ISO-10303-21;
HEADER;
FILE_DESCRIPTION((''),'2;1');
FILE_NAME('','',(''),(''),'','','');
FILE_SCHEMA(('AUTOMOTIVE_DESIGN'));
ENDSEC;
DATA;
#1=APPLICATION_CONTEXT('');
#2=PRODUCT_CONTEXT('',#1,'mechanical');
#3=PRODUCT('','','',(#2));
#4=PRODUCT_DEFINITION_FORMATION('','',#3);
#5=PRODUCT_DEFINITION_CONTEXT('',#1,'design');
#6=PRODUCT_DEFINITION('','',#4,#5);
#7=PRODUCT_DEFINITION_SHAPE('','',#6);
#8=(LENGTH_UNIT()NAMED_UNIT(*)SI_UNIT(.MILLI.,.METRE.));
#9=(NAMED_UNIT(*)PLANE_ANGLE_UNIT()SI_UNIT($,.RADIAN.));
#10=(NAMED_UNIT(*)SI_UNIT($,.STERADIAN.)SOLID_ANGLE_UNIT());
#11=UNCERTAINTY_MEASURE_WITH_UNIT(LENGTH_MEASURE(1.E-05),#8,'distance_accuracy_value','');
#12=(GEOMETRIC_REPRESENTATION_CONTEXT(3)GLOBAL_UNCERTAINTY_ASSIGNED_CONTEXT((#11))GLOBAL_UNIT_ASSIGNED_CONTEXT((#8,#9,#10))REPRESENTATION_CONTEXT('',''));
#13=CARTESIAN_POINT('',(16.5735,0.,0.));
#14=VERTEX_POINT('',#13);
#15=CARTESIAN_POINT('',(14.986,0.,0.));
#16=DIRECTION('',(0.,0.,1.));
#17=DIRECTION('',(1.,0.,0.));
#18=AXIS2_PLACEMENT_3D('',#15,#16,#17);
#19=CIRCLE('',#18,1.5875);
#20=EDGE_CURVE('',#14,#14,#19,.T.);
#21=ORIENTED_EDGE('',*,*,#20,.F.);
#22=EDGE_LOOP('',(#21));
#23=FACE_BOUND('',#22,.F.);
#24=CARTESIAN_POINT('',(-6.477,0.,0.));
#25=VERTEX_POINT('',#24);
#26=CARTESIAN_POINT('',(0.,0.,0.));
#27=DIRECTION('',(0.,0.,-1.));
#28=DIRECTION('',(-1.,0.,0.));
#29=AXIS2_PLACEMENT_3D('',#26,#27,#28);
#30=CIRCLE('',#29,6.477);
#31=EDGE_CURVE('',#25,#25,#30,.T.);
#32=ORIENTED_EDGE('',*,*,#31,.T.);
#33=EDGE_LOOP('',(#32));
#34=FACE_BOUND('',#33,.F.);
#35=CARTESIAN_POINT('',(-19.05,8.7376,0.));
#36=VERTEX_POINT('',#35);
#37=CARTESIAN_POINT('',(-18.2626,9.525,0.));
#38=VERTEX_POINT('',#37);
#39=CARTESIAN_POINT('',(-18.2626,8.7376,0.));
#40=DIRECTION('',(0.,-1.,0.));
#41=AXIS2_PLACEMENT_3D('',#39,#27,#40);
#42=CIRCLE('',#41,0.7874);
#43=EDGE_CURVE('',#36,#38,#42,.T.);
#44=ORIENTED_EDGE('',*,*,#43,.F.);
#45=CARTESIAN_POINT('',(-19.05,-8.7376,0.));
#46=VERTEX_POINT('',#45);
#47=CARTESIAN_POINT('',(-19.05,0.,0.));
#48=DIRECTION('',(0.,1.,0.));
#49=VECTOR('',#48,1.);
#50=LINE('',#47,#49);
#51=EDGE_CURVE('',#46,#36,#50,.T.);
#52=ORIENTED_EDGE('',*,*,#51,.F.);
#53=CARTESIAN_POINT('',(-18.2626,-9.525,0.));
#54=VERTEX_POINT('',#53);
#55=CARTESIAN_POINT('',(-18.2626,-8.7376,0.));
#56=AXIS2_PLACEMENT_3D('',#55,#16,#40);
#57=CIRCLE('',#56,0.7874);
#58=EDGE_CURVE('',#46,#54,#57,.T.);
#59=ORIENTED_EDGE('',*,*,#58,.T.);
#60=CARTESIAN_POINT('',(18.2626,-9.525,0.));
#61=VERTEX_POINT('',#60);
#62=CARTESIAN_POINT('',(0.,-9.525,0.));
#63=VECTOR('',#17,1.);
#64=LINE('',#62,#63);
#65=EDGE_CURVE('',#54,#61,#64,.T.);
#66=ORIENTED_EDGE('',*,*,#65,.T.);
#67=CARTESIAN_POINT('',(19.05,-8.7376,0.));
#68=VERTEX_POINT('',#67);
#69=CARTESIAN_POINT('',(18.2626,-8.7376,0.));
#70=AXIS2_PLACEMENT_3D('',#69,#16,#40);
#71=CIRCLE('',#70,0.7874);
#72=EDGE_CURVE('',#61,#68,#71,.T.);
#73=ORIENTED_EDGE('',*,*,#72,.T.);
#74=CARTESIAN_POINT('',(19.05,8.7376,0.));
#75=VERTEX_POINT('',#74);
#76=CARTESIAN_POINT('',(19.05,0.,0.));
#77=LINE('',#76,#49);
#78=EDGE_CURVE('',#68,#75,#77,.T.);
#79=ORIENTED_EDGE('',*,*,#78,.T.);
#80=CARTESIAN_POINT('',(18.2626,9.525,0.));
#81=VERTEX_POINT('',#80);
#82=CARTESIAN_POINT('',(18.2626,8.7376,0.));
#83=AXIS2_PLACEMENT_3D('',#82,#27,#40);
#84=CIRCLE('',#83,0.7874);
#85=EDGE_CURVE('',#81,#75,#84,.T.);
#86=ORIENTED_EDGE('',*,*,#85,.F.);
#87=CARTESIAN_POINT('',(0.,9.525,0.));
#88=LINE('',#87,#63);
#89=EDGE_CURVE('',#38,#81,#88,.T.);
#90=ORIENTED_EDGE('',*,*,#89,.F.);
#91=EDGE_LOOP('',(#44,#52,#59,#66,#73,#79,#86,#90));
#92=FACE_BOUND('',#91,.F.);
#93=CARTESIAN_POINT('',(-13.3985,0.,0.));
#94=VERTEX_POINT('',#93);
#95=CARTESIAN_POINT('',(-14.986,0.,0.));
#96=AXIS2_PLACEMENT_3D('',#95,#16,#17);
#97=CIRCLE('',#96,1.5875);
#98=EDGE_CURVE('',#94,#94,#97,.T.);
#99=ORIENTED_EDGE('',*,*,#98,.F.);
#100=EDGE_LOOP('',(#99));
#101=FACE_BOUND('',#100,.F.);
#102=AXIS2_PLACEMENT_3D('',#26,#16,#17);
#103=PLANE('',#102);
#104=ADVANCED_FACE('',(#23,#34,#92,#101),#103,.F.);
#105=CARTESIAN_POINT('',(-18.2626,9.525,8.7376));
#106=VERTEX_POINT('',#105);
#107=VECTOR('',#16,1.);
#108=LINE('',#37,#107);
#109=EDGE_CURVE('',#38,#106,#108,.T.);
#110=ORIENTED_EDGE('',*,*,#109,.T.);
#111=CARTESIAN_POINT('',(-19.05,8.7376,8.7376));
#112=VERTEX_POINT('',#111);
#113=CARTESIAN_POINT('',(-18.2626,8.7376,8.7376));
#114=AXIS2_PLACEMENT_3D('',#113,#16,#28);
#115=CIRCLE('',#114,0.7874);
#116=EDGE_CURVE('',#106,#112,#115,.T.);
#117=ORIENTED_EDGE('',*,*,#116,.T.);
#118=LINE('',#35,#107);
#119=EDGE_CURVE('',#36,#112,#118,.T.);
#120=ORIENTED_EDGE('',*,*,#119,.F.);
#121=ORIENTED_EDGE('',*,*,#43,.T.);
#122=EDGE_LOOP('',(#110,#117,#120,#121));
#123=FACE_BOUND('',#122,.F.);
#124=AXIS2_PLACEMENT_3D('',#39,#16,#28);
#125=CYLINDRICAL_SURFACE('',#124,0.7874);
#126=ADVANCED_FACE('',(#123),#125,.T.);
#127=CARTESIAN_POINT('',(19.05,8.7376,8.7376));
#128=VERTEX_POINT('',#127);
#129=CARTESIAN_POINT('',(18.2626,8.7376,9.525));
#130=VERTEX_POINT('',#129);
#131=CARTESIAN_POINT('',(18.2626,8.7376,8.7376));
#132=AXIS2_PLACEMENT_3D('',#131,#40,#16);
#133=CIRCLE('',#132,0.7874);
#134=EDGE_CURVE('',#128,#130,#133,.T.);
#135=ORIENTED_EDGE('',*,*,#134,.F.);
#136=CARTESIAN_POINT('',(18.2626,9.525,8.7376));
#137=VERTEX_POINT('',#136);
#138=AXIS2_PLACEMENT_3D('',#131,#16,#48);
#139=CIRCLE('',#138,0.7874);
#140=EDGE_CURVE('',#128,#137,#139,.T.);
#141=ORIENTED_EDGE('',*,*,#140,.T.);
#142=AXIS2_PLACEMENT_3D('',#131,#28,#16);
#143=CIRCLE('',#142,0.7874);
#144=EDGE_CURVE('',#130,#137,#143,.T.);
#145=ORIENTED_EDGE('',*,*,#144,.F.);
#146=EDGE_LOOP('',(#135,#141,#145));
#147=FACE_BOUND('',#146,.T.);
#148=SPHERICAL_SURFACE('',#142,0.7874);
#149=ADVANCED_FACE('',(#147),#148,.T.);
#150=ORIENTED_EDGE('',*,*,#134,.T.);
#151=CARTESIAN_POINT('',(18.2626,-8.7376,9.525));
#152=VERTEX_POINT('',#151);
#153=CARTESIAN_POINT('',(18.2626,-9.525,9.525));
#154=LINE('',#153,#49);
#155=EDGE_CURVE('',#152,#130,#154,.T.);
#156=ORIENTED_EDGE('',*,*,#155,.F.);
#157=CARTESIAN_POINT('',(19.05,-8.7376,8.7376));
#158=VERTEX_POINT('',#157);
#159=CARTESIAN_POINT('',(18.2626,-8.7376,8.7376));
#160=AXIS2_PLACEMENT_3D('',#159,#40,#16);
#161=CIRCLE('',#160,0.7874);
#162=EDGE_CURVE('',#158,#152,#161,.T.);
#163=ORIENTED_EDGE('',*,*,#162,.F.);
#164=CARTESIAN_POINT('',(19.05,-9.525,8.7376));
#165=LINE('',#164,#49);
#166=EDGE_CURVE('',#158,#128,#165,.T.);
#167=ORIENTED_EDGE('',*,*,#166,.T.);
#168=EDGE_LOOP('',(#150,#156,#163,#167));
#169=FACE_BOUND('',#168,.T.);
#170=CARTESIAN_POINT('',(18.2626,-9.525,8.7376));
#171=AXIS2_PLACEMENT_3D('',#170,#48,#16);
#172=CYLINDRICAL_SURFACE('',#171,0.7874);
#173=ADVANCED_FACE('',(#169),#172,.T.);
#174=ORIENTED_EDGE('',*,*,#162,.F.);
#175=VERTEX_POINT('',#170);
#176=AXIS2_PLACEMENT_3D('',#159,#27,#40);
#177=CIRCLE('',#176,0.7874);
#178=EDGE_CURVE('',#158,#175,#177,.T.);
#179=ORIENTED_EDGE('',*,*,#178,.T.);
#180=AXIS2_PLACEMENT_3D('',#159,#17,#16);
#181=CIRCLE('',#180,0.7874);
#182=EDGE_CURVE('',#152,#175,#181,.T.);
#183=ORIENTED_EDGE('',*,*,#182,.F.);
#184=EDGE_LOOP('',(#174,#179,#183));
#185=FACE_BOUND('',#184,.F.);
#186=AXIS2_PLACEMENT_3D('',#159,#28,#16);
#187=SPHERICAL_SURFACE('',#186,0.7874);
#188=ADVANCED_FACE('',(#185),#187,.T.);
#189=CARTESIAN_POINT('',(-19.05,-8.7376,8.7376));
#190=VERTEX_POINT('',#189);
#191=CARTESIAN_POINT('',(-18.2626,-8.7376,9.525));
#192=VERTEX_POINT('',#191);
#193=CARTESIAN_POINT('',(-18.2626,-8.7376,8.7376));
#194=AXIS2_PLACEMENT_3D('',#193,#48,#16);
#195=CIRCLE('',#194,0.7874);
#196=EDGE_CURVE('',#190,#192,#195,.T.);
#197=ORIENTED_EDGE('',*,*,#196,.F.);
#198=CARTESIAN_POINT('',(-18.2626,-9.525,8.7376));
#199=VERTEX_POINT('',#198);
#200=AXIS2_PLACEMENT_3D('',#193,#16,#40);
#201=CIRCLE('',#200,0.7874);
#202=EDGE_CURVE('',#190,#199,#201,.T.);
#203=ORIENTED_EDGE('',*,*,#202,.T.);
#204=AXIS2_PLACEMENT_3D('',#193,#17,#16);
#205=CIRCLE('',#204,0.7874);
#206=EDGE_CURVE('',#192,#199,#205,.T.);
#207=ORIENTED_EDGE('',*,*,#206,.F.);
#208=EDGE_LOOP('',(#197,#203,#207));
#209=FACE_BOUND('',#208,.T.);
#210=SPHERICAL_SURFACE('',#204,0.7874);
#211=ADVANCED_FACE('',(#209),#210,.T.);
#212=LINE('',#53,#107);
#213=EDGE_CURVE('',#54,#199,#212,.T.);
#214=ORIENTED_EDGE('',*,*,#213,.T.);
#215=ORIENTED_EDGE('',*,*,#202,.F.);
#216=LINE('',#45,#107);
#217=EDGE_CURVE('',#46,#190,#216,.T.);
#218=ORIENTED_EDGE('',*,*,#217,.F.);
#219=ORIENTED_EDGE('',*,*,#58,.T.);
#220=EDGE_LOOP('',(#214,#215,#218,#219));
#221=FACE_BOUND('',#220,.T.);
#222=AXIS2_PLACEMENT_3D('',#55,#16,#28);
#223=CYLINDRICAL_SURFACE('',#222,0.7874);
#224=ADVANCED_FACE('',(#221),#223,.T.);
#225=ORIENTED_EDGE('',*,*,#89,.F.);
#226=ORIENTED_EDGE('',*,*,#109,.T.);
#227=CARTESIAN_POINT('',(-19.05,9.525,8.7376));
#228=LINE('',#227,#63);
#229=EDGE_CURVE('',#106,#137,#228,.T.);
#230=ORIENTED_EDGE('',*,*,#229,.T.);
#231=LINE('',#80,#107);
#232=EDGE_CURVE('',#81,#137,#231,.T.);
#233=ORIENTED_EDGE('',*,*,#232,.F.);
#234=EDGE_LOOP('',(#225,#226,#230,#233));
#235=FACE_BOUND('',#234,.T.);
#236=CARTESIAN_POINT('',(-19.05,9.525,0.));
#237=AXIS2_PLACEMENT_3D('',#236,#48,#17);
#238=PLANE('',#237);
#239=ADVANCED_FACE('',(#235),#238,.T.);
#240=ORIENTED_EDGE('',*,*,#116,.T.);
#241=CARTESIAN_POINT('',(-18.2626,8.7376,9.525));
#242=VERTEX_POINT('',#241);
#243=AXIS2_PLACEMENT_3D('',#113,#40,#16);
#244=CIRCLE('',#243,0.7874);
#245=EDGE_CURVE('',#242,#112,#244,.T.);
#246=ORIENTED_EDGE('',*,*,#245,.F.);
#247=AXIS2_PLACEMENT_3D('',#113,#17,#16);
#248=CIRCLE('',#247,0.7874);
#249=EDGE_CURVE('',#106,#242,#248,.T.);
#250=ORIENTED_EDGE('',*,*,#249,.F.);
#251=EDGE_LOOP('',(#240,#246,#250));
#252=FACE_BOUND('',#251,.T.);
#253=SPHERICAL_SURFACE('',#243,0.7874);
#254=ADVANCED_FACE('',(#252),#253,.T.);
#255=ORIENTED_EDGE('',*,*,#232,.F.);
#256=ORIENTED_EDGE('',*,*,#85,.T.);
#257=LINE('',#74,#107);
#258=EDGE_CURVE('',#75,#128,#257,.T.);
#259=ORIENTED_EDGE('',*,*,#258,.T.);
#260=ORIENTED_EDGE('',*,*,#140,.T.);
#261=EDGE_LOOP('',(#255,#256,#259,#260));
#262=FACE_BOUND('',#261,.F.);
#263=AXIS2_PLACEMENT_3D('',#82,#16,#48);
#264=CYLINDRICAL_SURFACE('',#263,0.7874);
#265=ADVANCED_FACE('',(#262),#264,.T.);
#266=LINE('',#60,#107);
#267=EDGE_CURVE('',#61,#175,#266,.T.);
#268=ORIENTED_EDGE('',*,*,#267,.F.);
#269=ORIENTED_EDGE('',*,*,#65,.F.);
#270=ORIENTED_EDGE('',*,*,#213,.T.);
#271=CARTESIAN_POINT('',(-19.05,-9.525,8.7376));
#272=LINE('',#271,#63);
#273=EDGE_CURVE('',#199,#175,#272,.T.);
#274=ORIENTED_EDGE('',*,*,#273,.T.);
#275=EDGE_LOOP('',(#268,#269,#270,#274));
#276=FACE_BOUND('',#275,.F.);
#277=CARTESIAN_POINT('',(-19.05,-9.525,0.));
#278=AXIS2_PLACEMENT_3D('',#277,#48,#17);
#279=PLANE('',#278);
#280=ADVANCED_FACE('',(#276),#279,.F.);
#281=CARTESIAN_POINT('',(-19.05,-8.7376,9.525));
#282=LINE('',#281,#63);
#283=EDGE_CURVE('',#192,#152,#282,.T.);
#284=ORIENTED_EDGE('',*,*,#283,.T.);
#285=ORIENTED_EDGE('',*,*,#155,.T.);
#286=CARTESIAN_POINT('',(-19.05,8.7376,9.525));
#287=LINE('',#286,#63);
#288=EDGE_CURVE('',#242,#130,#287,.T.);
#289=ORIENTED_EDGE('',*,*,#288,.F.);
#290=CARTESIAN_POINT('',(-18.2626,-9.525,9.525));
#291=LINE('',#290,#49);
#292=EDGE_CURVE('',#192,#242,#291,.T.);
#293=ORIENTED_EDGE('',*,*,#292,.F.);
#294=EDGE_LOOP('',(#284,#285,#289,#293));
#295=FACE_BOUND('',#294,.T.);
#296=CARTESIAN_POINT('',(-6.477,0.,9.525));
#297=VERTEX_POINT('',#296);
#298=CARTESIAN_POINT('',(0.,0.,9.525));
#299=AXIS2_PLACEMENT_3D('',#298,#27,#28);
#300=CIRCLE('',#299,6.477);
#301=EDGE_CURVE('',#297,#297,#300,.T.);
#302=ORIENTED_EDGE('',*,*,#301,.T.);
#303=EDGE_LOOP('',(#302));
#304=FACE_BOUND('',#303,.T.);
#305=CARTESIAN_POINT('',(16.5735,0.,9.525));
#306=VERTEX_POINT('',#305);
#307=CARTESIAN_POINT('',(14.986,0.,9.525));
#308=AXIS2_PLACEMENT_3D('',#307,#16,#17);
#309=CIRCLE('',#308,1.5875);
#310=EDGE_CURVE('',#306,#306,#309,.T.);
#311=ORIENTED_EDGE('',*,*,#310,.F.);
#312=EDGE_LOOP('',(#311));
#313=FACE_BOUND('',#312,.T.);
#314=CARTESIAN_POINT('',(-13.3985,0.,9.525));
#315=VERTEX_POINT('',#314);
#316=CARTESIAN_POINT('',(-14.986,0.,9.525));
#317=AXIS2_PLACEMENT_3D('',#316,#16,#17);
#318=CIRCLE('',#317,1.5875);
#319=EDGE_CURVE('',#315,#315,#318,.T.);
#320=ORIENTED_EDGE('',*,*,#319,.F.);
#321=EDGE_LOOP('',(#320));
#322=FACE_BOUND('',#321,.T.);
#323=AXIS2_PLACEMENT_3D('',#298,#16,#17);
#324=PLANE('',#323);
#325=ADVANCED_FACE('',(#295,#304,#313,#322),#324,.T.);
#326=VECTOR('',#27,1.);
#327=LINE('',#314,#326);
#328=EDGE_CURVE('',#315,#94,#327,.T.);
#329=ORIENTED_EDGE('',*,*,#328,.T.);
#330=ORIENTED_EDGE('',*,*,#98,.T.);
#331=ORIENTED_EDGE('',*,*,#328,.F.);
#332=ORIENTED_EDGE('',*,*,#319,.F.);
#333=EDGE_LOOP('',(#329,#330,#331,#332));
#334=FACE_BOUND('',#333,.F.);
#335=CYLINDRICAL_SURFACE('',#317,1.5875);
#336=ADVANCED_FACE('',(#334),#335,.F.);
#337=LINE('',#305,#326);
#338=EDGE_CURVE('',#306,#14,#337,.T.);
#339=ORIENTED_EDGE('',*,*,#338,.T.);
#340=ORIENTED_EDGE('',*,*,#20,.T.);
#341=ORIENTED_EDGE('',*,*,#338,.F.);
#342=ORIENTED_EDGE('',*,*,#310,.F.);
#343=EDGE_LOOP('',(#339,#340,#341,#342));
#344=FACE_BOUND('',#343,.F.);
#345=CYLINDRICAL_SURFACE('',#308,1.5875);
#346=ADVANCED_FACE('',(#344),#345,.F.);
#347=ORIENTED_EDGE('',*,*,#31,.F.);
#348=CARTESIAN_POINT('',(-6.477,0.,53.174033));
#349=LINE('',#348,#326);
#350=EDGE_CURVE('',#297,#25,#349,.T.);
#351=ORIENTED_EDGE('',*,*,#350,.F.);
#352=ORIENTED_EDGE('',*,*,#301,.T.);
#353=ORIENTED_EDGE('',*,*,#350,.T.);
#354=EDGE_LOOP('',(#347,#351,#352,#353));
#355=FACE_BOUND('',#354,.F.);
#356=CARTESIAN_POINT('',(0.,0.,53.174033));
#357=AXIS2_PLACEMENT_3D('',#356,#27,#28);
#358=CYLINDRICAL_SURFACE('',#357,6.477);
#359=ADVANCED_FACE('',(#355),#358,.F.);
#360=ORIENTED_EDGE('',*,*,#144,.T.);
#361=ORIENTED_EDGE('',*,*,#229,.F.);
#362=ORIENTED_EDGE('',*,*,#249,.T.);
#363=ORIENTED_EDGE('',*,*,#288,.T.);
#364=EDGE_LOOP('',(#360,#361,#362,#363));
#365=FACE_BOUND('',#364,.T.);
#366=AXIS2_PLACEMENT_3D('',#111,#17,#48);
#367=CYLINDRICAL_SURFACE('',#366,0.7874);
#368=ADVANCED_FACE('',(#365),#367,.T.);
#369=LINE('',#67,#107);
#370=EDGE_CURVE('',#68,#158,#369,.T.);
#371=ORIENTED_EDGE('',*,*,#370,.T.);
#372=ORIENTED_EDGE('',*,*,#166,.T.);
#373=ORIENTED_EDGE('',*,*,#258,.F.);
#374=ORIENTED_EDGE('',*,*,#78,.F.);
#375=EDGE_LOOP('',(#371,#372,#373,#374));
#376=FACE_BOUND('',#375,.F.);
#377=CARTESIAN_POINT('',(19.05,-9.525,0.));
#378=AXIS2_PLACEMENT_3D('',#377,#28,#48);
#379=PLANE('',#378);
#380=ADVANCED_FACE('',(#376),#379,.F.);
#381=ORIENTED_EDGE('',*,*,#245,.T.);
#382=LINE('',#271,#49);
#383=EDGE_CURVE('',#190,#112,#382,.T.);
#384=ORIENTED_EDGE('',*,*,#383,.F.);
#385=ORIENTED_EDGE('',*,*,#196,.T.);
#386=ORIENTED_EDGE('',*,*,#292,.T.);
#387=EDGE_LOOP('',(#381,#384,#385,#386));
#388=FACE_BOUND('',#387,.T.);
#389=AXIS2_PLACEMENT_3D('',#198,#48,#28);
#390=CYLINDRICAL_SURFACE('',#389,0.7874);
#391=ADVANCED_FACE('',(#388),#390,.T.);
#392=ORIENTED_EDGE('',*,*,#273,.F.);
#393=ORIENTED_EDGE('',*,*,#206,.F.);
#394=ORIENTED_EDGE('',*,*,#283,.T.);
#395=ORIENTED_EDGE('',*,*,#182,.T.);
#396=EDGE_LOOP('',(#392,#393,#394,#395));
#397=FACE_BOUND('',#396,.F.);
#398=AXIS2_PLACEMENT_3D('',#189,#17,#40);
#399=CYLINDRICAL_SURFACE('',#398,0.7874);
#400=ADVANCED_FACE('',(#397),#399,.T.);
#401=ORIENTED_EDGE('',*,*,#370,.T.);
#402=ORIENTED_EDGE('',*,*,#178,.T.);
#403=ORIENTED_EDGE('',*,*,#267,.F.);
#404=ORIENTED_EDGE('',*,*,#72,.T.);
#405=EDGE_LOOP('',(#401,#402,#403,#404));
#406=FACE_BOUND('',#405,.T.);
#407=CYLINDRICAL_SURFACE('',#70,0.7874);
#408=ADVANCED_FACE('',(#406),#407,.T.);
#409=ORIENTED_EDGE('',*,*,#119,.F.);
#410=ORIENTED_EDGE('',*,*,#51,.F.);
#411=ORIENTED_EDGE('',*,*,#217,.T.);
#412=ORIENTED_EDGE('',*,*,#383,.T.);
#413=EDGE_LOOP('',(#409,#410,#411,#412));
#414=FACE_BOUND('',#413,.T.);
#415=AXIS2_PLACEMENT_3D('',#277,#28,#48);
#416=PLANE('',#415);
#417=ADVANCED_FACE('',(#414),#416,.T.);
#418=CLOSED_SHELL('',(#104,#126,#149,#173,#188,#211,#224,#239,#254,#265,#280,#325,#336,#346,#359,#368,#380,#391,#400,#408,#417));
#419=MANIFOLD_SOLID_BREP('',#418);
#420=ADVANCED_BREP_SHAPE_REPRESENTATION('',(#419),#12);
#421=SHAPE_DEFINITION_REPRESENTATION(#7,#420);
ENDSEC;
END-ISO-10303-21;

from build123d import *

# Parameters (mm, degrees)
F0_W     = 38.1
F0_H     = 19.05
F1_DEPTH = 9.525
F2_R     = 1.5875
F3_DEPTH = 9.525
F4_R     = 0.7874
F5_D     = 12.954


with BuildPart() as f1:
    # F0 (on Top) → F1 (new body)
    with BuildSketch(Plane.XY):
        Rectangle(F0_W, F0_H)
    extrude(amount=F1_DEPTH)

    # F2 (on face) → F3 (cut, through all)
    with BuildSketch(Plane.XY.offset(9.525)):
        with Locations((-14.986, 0)):
            Circle(F2_R)
        with Locations((14.986, 0)):
            Circle(F2_R)
    extrude(amount=-F3_DEPTH, mode=Mode.SUBTRACT)

    # F4
    f4_edges = [f1.edges().sort_by_distance(p)[0] for p in [
        (0, -9.525, 9.525),
        (-19.05, 0, 9.525),
        (0, 9.525, 9.525),
        (19.05, 0, 9.525),
        (19.05, -9.525, 4.7625),
        (19.05, 9.525, 4.7625),
        (-19.05, -9.525, 4.7625),
        (-19.05, 9.525, 4.7625),
    ]]
    fillet(f4_edges, radius=F4_R)

    # F5 (through all)
    with Locations(Plane.XY.offset(9.525)):
        with Locations((0, 0)):
            Hole(F5_D / 2)


solid = f1.part
